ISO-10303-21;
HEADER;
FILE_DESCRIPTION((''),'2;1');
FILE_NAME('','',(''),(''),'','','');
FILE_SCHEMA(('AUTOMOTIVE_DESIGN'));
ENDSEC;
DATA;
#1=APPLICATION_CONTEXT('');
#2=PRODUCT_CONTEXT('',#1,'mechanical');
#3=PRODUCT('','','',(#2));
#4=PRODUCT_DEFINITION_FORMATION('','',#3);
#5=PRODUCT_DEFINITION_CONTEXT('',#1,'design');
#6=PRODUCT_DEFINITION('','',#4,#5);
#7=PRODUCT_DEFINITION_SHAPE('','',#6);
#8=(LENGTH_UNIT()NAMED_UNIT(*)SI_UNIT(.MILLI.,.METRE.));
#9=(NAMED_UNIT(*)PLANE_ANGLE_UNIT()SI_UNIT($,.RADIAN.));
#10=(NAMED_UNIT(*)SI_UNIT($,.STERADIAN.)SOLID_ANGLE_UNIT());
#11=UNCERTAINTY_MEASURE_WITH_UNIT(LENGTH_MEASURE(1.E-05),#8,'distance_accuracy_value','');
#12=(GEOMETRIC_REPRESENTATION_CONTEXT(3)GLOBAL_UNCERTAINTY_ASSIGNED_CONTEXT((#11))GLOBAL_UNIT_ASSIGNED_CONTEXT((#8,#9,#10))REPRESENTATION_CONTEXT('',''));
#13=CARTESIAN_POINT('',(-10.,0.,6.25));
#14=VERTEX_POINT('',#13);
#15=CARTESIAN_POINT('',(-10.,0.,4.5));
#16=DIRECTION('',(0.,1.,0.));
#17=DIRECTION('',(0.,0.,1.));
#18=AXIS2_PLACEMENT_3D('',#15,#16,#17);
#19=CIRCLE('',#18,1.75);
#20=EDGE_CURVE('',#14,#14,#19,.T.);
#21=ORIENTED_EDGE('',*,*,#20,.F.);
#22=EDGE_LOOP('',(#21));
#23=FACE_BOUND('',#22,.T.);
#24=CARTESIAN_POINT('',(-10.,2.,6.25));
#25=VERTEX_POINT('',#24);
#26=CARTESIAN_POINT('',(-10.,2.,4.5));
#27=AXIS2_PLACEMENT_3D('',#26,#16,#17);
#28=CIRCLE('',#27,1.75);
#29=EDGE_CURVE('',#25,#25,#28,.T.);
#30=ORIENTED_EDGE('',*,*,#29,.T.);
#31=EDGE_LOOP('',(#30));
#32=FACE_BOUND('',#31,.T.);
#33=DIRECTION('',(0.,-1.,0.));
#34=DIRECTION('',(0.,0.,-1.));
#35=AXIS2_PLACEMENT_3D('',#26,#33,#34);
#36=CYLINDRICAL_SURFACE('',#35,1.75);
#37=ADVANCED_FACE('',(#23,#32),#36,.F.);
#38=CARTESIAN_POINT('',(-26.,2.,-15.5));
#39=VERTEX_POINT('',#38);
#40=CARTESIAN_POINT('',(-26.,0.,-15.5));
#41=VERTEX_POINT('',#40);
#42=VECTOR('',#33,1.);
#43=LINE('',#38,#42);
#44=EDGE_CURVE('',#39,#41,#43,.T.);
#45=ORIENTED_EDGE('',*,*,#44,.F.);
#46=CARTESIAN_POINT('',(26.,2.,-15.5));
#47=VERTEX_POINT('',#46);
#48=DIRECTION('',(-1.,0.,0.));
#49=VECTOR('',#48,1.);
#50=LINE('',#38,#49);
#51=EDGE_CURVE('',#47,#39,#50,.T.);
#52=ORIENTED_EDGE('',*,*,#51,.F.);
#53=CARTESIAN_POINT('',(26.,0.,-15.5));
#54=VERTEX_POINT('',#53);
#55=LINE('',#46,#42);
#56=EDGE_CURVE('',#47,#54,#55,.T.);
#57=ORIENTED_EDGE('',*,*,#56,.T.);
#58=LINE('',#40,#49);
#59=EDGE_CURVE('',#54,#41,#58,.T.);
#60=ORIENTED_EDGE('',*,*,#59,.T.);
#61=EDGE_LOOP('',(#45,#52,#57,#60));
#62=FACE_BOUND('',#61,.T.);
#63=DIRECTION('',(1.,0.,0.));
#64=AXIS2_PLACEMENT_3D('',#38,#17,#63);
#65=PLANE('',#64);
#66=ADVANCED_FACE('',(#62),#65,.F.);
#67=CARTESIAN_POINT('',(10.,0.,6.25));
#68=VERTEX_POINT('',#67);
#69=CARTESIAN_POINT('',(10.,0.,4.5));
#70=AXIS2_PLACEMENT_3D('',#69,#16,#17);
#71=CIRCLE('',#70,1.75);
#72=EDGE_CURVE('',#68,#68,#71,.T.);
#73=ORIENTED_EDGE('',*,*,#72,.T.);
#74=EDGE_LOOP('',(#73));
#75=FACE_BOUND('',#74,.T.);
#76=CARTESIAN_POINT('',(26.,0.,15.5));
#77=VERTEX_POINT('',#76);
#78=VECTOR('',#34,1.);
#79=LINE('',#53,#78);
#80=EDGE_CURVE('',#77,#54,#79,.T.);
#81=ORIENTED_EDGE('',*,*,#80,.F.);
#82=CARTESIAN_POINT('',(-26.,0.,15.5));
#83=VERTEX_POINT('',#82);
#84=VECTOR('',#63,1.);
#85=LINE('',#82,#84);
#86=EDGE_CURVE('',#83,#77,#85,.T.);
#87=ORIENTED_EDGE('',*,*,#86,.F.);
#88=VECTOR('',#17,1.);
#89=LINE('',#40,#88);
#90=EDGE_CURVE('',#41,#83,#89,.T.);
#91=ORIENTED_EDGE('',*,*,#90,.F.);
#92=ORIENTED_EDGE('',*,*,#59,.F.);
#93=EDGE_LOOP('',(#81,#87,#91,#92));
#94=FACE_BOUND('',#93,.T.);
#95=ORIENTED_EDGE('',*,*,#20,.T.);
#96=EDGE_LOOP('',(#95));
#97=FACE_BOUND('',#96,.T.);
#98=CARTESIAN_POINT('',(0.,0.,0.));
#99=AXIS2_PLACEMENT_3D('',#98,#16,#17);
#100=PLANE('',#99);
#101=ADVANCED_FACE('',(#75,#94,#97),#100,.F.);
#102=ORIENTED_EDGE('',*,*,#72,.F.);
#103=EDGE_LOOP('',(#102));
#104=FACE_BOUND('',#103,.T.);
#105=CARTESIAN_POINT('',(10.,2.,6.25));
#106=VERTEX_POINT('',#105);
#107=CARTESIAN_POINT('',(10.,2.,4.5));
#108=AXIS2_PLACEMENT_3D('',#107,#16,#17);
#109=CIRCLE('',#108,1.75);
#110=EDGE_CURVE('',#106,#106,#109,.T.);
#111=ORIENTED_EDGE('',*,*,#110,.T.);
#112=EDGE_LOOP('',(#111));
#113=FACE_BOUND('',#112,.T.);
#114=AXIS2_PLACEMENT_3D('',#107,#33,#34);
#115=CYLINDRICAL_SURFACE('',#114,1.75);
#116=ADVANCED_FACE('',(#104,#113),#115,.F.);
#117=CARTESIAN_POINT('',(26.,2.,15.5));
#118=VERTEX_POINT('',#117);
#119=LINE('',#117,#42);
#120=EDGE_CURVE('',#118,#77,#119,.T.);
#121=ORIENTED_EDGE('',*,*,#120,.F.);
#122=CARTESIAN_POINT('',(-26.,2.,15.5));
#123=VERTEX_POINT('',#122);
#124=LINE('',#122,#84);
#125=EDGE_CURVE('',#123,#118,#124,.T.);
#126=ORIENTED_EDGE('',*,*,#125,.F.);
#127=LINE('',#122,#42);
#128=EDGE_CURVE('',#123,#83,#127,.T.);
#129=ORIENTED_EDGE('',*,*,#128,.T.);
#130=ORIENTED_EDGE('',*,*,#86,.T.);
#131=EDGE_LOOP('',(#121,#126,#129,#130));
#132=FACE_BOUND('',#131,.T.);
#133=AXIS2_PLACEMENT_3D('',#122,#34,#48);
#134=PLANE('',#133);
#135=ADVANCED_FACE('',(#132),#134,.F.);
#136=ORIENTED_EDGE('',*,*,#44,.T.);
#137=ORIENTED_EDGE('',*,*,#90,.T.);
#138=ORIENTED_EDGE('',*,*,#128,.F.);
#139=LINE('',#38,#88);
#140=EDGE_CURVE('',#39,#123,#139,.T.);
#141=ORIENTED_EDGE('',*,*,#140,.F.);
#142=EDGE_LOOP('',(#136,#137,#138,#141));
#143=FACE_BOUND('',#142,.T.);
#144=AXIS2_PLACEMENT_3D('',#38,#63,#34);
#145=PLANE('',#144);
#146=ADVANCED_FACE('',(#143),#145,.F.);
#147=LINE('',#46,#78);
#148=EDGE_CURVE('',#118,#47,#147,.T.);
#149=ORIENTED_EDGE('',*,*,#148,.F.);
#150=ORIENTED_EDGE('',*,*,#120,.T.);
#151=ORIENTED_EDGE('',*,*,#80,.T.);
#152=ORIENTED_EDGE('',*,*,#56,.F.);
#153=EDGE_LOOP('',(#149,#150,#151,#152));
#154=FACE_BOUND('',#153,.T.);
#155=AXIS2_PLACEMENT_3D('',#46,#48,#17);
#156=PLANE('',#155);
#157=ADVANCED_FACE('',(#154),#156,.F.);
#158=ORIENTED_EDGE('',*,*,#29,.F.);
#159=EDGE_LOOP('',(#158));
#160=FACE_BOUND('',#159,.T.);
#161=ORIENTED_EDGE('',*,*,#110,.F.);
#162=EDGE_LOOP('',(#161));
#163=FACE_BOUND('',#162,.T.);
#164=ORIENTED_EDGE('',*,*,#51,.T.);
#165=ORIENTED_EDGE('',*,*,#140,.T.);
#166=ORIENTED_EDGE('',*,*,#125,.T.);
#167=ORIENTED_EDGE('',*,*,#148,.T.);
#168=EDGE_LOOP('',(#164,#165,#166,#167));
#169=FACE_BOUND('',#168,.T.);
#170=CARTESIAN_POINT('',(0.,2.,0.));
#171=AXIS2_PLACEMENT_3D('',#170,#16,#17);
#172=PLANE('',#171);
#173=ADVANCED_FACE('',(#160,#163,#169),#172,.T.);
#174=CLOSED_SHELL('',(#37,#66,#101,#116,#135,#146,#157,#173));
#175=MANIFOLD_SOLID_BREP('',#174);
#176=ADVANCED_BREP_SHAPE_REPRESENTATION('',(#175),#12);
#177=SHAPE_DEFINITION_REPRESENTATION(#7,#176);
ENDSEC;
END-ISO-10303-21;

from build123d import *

# Parameters (mm, degrees)
SKETCH1_W           = 52
SKETCH1_H           = 31
SKETCH1_R           = 1.75
BOSS_EXTRUDE1_DEPTH = 2


with BuildPart() as part:
    # Sketch1 → Boss-Extrude1 (new body)
    with BuildSketch(Plane(origin=(0, 0, 0), x_dir=(1, 0, 0), z_dir=(0, 1, 0))):
        Rectangle(SKETCH1_W, SKETCH1_H)
        with Locations(Location((-10, -4.5, 0), (0, 0, 270))):
            Circle(SKETCH1_R, mode=Mode.SUBTRACT)
        with Locations(Location((10, -4.5, 0), (0, 0, 270))):
            Circle(SKETCH1_R, mode=Mode.SUBTRACT)
    extrude(amount=BOSS_EXTRUDE1_DEPTH)


solid = part.part
